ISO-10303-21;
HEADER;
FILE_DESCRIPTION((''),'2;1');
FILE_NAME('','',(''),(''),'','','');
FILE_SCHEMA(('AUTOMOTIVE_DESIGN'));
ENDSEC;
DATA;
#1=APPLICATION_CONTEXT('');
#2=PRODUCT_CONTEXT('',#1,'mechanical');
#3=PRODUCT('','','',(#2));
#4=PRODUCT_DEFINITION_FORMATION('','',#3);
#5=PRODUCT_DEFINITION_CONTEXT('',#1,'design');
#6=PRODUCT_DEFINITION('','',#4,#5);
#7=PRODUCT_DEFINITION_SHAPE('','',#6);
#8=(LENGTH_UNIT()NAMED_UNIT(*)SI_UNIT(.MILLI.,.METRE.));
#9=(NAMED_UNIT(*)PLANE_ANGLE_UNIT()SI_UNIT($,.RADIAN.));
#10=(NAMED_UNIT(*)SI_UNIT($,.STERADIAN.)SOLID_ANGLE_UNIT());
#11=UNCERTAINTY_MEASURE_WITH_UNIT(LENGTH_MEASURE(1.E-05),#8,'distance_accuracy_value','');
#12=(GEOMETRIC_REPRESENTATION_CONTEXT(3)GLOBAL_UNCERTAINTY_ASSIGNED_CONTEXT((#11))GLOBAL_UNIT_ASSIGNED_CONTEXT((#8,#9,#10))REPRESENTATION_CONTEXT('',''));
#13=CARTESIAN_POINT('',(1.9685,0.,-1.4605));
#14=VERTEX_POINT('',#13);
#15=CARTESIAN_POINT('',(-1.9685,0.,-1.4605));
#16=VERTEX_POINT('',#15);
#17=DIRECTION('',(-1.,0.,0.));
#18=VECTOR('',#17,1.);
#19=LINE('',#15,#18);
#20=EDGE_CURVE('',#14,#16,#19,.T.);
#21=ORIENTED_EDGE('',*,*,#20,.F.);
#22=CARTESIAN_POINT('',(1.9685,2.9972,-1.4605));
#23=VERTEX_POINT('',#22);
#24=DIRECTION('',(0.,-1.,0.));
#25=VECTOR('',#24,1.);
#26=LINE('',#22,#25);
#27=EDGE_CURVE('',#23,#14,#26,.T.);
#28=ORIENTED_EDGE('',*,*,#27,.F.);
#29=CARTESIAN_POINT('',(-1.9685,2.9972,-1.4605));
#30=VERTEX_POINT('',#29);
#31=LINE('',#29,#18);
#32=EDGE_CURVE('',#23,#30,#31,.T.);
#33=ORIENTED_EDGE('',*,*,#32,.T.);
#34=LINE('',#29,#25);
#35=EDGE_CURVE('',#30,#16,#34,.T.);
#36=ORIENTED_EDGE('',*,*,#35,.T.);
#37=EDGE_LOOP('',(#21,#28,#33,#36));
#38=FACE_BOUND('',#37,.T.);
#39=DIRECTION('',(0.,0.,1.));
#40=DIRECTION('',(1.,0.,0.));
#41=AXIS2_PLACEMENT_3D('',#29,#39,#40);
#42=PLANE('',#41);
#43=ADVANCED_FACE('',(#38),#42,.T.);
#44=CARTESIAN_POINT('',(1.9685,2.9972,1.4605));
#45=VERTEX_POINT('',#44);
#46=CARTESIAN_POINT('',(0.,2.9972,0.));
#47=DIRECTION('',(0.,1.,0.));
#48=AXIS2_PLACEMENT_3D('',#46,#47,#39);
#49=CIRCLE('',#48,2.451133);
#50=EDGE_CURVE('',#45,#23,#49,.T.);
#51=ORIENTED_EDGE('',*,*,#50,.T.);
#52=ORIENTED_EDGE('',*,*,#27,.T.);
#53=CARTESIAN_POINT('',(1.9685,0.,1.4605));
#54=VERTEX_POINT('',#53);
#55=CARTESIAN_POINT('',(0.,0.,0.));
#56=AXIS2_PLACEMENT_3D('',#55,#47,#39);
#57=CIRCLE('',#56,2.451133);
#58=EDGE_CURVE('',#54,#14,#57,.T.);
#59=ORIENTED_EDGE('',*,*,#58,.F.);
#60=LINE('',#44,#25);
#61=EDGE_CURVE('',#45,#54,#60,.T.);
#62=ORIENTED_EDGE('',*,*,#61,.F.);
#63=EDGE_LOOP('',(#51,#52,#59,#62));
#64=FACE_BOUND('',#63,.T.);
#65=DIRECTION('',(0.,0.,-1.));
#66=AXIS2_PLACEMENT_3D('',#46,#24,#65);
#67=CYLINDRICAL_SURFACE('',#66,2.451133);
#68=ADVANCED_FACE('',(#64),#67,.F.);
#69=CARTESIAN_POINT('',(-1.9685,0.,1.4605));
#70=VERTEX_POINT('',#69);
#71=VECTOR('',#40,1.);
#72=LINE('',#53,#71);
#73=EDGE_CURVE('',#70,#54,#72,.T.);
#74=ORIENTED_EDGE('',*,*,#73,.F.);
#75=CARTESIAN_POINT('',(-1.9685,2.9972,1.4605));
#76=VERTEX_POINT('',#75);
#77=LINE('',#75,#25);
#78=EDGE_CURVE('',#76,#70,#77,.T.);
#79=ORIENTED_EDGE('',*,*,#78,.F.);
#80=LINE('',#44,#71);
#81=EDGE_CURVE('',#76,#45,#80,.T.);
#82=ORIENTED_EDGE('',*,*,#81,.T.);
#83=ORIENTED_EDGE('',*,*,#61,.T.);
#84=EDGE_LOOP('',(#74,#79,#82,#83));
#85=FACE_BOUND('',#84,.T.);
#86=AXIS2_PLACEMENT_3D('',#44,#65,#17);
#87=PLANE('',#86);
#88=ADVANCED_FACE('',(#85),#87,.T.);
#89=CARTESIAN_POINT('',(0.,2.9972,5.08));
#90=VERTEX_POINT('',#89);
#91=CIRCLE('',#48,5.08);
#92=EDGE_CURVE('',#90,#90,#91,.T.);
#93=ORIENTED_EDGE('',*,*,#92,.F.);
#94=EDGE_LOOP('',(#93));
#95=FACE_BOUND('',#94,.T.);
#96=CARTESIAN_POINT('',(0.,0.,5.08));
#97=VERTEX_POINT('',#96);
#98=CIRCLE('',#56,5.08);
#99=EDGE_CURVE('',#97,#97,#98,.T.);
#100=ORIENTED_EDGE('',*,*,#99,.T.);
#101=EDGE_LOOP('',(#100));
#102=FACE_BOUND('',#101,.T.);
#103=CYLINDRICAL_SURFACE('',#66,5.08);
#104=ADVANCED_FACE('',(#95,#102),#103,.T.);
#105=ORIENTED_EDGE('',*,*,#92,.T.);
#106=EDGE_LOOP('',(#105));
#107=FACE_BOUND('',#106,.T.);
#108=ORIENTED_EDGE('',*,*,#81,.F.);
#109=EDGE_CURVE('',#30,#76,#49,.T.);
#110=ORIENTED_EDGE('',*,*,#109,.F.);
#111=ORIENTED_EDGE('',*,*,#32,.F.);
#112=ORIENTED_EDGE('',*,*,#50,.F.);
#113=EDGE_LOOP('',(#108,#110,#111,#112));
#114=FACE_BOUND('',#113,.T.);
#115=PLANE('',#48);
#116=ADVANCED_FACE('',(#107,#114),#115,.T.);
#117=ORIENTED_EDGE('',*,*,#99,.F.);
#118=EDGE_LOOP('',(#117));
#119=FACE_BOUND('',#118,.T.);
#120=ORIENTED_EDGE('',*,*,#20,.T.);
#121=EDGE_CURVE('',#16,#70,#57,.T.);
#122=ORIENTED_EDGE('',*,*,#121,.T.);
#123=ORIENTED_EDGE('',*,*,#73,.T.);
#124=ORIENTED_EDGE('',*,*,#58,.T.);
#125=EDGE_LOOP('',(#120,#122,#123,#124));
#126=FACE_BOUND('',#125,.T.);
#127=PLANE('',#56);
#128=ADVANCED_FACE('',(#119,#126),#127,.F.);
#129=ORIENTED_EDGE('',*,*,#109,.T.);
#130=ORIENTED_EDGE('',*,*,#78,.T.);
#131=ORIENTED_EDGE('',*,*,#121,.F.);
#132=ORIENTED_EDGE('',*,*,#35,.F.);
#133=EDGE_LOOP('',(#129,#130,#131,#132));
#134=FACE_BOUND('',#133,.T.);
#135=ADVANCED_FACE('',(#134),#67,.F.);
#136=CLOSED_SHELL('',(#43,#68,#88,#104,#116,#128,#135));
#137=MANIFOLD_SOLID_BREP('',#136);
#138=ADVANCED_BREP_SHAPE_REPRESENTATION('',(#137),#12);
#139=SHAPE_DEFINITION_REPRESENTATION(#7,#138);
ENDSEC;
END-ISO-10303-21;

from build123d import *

# Parameters (mm, degrees)
SKETCH1_R           = 5.08
BOSS_EXTRUDE1_DEPTH = 2.9972


with BuildPart() as part:
    # Sketch1 → Boss-Extrude1 (new body)
    with BuildSketch(Plane(origin=(0, 0, 0), x_dir=(1, 0, 0), z_dir=(0, 1, 0))):
        Circle(SKETCH1_R)
        with BuildLine():
            Line((-1.9685, 1.4605), (1.9685, 1.4605))
            ThreePointArc((1.9685, 1.4605), (2.451132901, 0), (1.9685, -1.4605))
            Line((1.9685, -1.4605), (-1.9685, -1.4605))
            ThreePointArc((-1.9685, -1.4605), (-2.451132901, 0), (-1.9685, 1.4605))
        make_face(mode=Mode.SUBTRACT)
    extrude(amount=BOSS_EXTRUDE1_DEPTH)


solid = part.part
